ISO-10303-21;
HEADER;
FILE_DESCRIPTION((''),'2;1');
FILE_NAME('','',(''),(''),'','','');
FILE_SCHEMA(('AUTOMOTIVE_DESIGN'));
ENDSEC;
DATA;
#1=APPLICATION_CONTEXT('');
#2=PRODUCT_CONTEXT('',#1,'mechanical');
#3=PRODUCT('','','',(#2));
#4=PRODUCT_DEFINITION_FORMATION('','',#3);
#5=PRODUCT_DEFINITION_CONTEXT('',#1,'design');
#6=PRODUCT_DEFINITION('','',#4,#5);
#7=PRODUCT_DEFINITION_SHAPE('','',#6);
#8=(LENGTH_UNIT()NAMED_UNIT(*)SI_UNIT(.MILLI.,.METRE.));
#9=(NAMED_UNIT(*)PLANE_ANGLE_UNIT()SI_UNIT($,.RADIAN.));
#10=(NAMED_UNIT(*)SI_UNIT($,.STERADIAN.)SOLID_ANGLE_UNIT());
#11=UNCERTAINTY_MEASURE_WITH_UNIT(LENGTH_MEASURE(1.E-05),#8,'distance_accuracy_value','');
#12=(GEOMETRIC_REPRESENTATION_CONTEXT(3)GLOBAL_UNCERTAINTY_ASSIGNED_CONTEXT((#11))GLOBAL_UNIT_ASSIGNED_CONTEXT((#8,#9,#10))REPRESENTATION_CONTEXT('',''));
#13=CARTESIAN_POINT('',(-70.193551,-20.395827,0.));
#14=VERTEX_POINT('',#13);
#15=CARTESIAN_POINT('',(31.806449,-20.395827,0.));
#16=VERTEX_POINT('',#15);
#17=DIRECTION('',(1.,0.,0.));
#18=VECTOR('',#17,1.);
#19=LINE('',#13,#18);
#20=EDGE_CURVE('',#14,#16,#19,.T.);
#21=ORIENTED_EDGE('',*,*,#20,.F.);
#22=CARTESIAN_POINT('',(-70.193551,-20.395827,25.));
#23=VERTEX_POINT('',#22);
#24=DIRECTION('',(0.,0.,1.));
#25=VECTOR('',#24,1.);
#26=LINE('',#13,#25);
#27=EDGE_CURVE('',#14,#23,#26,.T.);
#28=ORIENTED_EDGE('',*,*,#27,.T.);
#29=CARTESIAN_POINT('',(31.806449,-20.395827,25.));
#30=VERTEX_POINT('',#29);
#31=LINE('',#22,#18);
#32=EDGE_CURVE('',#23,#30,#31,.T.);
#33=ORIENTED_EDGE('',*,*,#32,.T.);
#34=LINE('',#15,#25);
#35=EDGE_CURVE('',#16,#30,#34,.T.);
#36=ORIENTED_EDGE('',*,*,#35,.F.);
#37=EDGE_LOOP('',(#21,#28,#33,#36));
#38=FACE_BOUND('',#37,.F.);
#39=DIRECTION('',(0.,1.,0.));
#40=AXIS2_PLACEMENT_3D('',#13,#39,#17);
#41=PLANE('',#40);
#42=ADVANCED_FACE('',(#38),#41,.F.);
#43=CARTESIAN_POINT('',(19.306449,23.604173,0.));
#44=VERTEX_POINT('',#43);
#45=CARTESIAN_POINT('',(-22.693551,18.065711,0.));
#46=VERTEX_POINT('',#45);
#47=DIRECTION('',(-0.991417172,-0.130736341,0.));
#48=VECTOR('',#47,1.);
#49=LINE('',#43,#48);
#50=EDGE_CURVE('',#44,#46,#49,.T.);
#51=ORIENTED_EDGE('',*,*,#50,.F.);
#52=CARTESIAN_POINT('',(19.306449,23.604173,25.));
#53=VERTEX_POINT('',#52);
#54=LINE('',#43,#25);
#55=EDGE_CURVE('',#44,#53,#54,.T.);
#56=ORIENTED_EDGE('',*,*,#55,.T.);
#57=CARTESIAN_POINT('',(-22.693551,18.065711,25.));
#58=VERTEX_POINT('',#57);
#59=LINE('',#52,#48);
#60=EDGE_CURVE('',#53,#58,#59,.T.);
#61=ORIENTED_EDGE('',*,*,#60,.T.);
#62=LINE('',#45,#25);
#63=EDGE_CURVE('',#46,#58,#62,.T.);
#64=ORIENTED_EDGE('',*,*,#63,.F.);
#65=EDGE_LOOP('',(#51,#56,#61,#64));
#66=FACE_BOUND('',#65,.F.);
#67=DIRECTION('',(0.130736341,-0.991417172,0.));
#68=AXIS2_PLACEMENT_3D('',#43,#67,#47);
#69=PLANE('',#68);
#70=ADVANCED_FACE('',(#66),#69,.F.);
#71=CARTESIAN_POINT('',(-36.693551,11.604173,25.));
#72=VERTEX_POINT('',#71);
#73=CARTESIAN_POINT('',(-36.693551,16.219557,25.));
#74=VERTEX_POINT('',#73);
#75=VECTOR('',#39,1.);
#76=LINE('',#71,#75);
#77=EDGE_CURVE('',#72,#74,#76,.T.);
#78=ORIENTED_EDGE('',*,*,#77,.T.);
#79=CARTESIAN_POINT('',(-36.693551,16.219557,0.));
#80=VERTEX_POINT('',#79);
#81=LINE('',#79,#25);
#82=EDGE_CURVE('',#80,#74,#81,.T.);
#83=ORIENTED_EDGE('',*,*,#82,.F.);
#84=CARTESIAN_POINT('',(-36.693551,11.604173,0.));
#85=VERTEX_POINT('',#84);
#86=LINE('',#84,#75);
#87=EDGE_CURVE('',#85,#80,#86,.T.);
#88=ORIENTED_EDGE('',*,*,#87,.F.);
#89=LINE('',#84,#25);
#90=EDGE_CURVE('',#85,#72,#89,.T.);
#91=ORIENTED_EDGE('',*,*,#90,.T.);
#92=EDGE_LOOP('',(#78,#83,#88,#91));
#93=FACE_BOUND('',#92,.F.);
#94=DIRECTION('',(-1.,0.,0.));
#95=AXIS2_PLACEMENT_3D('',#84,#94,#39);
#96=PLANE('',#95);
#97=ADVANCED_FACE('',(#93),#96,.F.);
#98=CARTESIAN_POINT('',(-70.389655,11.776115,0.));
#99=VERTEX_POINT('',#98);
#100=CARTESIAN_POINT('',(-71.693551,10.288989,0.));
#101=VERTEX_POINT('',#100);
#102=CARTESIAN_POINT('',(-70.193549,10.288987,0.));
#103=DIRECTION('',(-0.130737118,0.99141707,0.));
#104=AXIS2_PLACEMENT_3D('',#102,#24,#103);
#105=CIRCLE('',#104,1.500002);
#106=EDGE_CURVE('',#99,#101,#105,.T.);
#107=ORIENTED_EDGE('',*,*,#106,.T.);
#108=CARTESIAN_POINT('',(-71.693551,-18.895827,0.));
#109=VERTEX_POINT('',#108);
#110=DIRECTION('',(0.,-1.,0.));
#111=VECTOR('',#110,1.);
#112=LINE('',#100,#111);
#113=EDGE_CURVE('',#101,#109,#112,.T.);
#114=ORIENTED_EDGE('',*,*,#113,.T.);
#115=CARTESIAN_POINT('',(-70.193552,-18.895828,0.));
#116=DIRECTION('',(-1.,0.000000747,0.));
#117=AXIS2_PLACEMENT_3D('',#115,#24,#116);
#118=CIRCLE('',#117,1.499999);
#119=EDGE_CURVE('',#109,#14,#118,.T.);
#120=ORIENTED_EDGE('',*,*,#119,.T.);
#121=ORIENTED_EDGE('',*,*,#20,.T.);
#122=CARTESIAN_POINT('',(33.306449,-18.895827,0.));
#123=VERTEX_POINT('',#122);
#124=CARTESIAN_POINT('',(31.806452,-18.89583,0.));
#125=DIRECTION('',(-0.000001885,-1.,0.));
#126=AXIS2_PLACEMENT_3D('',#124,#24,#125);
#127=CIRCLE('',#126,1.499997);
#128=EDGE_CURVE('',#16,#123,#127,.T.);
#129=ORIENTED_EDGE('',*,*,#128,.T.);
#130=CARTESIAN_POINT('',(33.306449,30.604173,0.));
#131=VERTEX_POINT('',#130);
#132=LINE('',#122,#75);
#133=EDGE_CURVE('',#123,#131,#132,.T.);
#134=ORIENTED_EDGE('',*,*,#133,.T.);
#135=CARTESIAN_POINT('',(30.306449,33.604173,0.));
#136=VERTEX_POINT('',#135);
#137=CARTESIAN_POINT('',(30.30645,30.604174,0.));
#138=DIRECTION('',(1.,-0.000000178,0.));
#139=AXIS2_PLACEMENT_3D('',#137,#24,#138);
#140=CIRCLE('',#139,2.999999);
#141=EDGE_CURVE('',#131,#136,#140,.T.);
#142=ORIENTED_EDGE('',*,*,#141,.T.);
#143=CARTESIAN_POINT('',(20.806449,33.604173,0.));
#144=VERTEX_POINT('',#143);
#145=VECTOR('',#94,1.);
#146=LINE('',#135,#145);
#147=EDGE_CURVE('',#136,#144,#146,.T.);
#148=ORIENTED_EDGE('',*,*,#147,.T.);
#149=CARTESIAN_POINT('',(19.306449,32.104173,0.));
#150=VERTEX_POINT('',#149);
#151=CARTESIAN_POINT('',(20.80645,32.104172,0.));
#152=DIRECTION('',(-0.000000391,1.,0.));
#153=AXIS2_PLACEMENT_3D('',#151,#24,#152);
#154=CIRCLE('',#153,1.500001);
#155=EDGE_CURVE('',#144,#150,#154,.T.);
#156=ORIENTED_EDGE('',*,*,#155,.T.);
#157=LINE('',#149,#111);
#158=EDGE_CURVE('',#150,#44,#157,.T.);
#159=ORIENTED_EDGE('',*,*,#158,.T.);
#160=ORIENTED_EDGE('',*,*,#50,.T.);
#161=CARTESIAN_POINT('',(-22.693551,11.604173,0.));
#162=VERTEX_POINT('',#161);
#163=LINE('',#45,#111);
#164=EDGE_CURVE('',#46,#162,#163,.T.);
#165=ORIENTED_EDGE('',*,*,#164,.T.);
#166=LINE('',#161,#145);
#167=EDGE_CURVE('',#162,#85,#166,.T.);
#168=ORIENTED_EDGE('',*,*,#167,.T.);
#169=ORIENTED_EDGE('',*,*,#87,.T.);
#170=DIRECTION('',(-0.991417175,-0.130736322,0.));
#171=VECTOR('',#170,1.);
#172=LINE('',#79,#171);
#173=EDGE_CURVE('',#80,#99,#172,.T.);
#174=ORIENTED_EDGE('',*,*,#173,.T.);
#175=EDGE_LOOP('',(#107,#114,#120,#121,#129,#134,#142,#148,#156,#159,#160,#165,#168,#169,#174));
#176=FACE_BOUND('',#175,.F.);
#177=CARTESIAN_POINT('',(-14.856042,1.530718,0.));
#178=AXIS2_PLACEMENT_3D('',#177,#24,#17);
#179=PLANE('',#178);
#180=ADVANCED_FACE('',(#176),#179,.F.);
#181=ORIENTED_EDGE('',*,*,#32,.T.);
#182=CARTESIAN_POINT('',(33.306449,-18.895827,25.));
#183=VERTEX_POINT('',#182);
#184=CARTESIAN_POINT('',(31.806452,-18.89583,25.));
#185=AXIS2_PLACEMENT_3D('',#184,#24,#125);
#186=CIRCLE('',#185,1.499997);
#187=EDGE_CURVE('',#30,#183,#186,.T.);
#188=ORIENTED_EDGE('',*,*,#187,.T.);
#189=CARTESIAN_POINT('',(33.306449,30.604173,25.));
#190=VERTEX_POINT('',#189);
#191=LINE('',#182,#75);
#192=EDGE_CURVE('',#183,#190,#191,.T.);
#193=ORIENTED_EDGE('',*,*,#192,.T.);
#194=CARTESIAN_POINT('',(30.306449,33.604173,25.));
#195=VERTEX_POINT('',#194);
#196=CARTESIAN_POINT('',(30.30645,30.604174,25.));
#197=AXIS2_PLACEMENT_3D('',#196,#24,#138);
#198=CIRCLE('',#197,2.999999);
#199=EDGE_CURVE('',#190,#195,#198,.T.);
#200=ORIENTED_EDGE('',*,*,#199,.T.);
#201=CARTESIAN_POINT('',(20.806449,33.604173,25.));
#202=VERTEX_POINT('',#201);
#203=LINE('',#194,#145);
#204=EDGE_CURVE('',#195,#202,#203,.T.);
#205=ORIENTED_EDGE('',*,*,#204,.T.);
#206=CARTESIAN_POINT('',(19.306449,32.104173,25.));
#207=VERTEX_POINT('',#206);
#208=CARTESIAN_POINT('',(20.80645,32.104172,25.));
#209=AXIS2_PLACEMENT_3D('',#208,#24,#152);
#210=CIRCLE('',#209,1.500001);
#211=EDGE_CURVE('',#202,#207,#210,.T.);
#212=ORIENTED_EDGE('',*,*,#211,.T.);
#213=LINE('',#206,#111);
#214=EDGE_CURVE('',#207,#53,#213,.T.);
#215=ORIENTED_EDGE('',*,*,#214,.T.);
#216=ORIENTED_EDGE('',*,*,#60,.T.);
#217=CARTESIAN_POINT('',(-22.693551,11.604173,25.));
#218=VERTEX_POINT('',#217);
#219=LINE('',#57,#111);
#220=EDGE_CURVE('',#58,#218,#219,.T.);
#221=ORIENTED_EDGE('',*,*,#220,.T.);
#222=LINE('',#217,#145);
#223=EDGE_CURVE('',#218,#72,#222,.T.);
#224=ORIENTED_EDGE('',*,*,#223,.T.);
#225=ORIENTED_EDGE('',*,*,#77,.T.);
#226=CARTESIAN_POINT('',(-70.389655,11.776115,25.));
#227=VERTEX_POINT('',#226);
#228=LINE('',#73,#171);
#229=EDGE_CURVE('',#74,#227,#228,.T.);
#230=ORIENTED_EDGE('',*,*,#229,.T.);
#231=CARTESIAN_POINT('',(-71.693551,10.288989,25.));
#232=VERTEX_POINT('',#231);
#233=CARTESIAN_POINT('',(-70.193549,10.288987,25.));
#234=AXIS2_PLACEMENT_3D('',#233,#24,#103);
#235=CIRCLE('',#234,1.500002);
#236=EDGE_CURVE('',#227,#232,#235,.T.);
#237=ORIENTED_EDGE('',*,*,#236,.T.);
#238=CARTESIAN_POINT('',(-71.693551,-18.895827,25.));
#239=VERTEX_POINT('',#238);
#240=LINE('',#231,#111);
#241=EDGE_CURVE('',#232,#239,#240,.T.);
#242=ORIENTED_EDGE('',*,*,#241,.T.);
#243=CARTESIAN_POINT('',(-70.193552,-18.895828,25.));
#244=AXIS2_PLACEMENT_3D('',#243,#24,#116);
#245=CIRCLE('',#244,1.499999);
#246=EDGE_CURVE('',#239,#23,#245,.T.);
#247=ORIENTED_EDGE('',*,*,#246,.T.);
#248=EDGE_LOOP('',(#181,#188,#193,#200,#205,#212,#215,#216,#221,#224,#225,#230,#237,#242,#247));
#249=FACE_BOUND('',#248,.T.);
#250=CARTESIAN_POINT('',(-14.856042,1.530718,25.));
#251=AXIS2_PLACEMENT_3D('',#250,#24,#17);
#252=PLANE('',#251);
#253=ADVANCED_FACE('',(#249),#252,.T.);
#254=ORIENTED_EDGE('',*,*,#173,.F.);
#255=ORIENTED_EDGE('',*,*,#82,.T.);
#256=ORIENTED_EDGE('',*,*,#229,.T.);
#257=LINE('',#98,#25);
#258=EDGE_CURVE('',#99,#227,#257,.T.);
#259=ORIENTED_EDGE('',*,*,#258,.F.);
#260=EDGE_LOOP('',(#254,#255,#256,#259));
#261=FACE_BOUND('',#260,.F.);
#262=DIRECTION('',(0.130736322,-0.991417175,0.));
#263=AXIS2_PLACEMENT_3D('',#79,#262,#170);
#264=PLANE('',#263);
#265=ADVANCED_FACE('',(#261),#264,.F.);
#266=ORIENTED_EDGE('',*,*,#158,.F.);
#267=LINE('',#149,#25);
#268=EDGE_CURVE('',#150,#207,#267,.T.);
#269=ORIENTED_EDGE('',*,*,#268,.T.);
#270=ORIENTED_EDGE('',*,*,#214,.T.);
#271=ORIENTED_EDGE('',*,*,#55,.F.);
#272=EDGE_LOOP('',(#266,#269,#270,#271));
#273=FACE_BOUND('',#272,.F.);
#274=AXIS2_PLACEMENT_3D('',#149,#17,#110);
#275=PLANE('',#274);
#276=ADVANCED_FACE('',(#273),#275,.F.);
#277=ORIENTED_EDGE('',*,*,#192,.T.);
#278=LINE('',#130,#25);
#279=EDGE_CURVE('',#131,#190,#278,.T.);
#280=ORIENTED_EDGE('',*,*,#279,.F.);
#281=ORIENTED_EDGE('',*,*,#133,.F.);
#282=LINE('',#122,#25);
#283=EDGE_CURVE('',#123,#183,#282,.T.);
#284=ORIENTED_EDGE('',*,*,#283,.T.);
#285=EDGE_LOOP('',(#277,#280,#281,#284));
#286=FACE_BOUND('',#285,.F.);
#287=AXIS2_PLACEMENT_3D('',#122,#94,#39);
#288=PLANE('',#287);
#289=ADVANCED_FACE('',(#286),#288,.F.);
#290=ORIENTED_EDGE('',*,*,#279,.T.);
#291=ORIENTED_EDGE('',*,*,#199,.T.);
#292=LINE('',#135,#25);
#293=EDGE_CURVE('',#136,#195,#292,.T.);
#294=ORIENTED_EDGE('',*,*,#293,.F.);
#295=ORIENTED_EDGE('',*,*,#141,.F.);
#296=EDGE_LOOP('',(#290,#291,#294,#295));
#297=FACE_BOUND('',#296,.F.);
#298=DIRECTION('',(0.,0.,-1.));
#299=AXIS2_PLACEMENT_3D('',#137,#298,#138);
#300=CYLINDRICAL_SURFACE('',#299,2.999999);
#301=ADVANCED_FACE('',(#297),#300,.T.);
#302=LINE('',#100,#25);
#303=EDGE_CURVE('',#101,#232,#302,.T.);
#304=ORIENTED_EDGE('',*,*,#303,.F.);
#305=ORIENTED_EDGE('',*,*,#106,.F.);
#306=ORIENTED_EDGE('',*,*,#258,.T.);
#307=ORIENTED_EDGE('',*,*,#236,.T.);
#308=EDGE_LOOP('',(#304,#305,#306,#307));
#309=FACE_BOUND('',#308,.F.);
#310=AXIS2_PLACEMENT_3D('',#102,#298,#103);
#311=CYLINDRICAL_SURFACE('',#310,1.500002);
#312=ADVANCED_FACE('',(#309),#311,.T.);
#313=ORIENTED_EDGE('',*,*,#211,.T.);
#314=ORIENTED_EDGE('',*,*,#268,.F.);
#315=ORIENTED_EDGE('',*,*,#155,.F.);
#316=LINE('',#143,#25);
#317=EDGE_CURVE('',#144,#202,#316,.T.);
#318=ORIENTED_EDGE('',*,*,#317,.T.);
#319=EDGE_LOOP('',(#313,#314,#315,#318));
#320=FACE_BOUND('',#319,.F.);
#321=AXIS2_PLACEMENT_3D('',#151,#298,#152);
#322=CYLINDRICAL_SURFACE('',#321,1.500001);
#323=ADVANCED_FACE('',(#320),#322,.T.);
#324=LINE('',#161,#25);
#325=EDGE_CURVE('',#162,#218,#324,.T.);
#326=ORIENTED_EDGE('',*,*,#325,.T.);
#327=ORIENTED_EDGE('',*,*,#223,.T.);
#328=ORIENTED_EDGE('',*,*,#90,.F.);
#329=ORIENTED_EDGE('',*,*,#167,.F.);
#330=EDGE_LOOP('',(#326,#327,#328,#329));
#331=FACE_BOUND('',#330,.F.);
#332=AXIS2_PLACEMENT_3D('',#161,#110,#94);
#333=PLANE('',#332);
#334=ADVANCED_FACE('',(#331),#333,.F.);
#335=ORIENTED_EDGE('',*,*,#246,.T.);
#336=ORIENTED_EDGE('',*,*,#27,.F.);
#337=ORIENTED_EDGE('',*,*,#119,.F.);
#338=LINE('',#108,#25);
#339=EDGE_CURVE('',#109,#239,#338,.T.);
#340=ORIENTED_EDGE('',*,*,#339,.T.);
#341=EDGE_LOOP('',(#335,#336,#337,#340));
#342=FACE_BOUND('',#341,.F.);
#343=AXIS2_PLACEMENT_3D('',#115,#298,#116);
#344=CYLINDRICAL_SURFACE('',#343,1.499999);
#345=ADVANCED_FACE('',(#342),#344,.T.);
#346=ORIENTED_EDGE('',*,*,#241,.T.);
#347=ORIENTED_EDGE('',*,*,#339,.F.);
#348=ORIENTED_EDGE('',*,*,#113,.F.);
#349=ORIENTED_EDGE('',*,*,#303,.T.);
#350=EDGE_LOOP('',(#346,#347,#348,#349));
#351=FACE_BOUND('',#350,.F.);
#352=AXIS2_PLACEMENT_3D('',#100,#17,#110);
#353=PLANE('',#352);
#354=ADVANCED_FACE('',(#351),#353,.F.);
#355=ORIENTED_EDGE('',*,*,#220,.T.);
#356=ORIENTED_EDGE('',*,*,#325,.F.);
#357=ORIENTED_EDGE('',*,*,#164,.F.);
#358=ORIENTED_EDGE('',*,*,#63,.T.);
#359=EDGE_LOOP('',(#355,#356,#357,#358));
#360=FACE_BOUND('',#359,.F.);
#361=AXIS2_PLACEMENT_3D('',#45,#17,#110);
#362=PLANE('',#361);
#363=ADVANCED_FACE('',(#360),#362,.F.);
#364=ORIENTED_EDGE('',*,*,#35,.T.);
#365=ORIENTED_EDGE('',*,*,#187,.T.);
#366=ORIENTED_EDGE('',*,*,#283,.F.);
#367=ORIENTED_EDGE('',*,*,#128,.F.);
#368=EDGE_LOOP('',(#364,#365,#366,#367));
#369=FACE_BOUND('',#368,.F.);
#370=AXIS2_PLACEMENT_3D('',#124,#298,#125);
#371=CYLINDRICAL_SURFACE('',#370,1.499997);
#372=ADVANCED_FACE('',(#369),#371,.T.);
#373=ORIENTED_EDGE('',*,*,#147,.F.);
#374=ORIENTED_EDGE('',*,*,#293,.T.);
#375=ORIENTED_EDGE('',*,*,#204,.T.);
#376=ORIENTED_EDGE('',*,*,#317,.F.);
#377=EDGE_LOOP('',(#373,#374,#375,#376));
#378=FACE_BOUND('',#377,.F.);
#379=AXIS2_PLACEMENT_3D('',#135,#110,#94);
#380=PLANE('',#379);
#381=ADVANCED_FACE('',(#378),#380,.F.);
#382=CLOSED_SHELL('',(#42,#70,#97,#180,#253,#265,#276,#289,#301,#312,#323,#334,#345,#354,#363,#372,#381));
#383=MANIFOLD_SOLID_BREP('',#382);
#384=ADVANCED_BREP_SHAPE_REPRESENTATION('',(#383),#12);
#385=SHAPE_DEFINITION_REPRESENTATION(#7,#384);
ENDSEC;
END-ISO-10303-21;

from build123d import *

# Parameters (mm, degrees)
F1_DEPTH = 25


with BuildPart() as f1:
    # F0 (on Top) → F1 (new body)
    with BuildSketch(Plane.XY):
        with BuildLine():
            ThreePointArc((-71.693551, -18.895827), (-71.254211, -19.956488), (-70.193551, -20.395827))
            Line((-70.193551, -20.395827), (31.806449, -20.395827))
            ThreePointArc((31.806449, -20.395827), (32.86711, -19.956488), (33.306449, -18.895827))
            Line((33.306449, -18.895827), (33.306449, 30.604173))
            ThreePointArc((33.306449, 30.604173), (32.42777, 32.725493), (30.306449, 33.604173))
            Line((30.306449, 33.604173), (20.806449, 33.604173))
            ThreePointArc((20.806449, 33.604173), (19.745789, 33.164833), (19.306449, 32.104173))
            Line((19.306449, 32.104173), (19.306449, 23.604173))
            Line((19.306449, 23.604173), (-22.693551, 18.065711))
            Line((-22.693551, 18.065711), (-22.693551, 11.604173))
            Line((-22.693551, 11.604173), (-36.693551, 11.604173))
            Line((-36.693551, 11.604173), (-36.693551, 16.219557))
            Line((-36.693551, 16.219557), (-70.389655, 11.776115))
            ThreePointArc((-70.389655, 11.776115), (-71.321415, 11.277888), (-71.693551, 10.288989))
            Line((-71.693551, 10.288989), (-71.693551, -18.895827))
        make_face()
    extrude(amount=F1_DEPTH)


solid = f1.part
